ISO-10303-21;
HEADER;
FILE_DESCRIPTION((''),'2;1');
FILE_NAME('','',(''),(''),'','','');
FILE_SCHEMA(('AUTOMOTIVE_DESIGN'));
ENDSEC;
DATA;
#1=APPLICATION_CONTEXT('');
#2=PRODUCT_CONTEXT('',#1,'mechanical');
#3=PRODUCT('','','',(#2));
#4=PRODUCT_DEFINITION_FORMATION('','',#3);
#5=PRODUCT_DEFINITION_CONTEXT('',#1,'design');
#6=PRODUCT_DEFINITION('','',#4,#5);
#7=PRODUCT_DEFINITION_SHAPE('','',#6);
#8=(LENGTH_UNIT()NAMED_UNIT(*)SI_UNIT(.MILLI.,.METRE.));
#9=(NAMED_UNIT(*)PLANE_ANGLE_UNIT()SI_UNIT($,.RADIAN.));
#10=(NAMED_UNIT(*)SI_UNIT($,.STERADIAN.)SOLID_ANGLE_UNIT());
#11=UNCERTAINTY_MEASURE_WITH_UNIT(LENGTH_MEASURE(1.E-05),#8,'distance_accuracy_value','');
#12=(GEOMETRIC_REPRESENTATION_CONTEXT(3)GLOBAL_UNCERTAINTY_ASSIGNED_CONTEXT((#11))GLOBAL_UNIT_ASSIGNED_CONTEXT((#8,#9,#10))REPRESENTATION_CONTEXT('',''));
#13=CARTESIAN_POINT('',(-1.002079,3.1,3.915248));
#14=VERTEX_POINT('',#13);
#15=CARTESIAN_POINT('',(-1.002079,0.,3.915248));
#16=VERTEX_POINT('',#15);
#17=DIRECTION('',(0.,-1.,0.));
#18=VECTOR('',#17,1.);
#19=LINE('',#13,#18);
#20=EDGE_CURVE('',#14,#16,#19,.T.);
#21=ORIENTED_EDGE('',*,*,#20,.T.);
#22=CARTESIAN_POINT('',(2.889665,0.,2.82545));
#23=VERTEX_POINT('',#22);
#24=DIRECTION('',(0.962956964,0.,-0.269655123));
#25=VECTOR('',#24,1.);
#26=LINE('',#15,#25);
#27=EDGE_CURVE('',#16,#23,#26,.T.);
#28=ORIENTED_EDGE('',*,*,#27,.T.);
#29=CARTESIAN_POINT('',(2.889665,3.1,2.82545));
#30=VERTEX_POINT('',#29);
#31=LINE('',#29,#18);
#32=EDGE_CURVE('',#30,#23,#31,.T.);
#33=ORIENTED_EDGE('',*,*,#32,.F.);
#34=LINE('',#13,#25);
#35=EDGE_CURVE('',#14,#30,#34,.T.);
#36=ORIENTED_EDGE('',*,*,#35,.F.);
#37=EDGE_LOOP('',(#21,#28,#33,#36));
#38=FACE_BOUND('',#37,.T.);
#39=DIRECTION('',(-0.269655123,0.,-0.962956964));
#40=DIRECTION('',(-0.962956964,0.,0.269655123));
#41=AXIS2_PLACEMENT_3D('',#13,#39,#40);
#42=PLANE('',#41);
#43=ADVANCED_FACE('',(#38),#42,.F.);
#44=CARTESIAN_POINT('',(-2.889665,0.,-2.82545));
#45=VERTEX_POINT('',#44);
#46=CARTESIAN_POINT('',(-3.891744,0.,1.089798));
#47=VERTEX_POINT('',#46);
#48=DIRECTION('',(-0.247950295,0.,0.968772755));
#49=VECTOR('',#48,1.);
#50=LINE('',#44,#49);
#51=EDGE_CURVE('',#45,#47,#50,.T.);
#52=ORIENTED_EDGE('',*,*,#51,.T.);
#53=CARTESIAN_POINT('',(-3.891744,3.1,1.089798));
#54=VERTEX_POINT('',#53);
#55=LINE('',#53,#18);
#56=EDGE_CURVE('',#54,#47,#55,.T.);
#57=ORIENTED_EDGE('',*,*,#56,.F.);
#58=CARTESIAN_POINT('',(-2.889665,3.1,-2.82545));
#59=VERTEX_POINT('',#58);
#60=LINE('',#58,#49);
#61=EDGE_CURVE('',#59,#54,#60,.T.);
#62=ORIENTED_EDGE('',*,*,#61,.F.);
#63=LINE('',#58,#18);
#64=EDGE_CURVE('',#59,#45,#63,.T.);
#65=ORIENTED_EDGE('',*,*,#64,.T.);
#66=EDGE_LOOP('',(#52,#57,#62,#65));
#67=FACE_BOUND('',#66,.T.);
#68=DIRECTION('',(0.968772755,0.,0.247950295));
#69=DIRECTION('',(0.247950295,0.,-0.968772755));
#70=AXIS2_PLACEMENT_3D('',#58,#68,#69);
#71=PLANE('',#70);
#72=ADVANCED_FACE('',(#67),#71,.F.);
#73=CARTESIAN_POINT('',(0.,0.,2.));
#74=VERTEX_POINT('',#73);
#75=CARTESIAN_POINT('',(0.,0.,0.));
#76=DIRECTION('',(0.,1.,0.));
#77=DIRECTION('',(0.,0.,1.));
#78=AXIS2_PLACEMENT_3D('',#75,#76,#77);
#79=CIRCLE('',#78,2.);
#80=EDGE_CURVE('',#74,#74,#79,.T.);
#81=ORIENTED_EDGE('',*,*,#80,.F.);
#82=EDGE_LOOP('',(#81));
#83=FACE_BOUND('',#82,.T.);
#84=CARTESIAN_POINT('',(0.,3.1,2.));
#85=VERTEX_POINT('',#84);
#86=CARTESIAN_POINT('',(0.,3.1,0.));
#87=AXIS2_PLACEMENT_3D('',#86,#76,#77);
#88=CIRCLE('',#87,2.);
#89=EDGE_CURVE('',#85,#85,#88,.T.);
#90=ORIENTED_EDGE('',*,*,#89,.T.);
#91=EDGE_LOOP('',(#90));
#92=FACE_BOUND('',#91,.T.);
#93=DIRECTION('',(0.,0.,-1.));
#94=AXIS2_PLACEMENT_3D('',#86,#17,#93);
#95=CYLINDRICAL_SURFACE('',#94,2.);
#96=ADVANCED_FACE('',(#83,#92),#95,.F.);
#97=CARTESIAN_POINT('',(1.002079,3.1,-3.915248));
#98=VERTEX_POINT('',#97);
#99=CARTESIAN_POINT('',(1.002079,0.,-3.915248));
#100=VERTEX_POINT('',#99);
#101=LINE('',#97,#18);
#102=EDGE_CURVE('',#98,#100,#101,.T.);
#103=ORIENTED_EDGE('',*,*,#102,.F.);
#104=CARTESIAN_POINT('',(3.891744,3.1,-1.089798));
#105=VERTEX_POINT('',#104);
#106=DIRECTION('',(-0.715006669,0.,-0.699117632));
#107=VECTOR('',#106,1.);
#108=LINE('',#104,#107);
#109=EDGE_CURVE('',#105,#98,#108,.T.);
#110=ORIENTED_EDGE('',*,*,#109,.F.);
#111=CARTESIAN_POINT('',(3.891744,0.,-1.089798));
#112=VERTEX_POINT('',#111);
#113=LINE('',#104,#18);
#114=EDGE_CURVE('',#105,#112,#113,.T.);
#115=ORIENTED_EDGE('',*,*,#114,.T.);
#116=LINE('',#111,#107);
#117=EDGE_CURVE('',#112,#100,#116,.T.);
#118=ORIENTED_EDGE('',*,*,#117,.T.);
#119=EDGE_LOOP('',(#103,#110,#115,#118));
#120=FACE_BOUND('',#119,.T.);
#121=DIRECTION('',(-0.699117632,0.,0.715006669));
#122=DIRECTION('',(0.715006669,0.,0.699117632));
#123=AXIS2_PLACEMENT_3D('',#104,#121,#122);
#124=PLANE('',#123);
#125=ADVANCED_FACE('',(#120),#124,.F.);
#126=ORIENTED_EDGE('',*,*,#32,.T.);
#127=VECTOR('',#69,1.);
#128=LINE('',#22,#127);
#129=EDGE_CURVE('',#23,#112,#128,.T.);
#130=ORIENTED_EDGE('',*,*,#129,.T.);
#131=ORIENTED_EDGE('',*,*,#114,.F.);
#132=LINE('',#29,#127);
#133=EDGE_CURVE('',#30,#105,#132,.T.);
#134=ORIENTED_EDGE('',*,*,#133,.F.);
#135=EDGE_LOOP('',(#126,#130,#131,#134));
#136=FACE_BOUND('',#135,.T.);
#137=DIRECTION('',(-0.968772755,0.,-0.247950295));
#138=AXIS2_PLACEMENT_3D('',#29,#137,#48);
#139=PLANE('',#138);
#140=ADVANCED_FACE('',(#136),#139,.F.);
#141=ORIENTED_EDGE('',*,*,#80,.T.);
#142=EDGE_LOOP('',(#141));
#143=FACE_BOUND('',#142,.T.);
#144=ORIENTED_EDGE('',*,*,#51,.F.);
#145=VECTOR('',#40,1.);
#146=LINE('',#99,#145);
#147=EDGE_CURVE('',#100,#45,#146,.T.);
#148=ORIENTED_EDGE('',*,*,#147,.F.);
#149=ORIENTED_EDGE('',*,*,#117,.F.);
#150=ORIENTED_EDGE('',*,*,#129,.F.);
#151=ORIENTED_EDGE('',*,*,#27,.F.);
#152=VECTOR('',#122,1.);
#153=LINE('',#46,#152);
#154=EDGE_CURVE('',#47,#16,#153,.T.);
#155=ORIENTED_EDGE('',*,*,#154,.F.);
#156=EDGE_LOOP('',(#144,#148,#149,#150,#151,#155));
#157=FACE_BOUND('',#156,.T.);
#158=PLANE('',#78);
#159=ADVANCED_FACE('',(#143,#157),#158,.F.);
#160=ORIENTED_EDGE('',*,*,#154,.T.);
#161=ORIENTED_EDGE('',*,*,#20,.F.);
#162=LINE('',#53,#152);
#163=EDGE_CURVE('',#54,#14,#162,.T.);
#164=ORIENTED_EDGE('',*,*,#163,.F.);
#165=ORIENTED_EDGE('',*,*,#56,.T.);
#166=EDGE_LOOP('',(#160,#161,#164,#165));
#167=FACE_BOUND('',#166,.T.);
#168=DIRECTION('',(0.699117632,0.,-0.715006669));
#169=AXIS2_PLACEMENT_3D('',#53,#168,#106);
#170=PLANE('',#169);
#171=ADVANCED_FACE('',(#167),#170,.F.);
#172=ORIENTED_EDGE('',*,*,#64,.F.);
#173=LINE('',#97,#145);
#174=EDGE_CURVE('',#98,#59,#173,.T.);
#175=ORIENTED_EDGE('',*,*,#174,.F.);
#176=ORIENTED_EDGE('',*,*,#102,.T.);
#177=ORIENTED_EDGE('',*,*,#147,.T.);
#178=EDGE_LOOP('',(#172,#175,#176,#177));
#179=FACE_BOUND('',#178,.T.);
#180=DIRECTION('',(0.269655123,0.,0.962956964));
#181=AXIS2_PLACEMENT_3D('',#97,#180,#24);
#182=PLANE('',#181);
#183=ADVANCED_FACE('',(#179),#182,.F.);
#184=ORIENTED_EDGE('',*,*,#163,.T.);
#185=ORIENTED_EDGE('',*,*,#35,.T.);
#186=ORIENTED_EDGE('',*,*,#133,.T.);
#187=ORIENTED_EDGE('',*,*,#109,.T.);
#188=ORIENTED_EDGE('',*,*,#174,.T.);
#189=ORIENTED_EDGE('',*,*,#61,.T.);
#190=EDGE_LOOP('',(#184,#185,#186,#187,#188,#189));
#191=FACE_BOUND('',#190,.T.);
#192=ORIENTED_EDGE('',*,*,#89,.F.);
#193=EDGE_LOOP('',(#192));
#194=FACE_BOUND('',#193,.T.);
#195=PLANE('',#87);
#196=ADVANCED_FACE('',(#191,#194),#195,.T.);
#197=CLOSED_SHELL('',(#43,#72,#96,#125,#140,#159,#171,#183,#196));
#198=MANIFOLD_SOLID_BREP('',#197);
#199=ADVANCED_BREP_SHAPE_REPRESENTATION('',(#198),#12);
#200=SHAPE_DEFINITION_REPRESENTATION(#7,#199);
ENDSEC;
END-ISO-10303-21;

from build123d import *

# Parameters (mm, degrees)
SKETCH_1_R      = 2
EXTRUDE_1_DEPTH = 3.1


with BuildPart() as part:
    # 草图1 → 凸台-拉伸1 (new body)
    with BuildSketch(Plane(origin=(0, 0, 0), x_dir=(1, 0, 0), z_dir=(0, 1, 0))):
        Polygon((2.88966505, -2.825450271), (3.891744237, 1.089798206), (1.002079187, 3.915248477), (-2.88966505, 2.825450271), (-3.891744237, -1.089798206), (-1.002079187, -3.915248477), align=None)
        Circle(SKETCH_1_R, mode=Mode.SUBTRACT)
    extrude(amount=EXTRUDE_1_DEPTH)


solid = part.part
